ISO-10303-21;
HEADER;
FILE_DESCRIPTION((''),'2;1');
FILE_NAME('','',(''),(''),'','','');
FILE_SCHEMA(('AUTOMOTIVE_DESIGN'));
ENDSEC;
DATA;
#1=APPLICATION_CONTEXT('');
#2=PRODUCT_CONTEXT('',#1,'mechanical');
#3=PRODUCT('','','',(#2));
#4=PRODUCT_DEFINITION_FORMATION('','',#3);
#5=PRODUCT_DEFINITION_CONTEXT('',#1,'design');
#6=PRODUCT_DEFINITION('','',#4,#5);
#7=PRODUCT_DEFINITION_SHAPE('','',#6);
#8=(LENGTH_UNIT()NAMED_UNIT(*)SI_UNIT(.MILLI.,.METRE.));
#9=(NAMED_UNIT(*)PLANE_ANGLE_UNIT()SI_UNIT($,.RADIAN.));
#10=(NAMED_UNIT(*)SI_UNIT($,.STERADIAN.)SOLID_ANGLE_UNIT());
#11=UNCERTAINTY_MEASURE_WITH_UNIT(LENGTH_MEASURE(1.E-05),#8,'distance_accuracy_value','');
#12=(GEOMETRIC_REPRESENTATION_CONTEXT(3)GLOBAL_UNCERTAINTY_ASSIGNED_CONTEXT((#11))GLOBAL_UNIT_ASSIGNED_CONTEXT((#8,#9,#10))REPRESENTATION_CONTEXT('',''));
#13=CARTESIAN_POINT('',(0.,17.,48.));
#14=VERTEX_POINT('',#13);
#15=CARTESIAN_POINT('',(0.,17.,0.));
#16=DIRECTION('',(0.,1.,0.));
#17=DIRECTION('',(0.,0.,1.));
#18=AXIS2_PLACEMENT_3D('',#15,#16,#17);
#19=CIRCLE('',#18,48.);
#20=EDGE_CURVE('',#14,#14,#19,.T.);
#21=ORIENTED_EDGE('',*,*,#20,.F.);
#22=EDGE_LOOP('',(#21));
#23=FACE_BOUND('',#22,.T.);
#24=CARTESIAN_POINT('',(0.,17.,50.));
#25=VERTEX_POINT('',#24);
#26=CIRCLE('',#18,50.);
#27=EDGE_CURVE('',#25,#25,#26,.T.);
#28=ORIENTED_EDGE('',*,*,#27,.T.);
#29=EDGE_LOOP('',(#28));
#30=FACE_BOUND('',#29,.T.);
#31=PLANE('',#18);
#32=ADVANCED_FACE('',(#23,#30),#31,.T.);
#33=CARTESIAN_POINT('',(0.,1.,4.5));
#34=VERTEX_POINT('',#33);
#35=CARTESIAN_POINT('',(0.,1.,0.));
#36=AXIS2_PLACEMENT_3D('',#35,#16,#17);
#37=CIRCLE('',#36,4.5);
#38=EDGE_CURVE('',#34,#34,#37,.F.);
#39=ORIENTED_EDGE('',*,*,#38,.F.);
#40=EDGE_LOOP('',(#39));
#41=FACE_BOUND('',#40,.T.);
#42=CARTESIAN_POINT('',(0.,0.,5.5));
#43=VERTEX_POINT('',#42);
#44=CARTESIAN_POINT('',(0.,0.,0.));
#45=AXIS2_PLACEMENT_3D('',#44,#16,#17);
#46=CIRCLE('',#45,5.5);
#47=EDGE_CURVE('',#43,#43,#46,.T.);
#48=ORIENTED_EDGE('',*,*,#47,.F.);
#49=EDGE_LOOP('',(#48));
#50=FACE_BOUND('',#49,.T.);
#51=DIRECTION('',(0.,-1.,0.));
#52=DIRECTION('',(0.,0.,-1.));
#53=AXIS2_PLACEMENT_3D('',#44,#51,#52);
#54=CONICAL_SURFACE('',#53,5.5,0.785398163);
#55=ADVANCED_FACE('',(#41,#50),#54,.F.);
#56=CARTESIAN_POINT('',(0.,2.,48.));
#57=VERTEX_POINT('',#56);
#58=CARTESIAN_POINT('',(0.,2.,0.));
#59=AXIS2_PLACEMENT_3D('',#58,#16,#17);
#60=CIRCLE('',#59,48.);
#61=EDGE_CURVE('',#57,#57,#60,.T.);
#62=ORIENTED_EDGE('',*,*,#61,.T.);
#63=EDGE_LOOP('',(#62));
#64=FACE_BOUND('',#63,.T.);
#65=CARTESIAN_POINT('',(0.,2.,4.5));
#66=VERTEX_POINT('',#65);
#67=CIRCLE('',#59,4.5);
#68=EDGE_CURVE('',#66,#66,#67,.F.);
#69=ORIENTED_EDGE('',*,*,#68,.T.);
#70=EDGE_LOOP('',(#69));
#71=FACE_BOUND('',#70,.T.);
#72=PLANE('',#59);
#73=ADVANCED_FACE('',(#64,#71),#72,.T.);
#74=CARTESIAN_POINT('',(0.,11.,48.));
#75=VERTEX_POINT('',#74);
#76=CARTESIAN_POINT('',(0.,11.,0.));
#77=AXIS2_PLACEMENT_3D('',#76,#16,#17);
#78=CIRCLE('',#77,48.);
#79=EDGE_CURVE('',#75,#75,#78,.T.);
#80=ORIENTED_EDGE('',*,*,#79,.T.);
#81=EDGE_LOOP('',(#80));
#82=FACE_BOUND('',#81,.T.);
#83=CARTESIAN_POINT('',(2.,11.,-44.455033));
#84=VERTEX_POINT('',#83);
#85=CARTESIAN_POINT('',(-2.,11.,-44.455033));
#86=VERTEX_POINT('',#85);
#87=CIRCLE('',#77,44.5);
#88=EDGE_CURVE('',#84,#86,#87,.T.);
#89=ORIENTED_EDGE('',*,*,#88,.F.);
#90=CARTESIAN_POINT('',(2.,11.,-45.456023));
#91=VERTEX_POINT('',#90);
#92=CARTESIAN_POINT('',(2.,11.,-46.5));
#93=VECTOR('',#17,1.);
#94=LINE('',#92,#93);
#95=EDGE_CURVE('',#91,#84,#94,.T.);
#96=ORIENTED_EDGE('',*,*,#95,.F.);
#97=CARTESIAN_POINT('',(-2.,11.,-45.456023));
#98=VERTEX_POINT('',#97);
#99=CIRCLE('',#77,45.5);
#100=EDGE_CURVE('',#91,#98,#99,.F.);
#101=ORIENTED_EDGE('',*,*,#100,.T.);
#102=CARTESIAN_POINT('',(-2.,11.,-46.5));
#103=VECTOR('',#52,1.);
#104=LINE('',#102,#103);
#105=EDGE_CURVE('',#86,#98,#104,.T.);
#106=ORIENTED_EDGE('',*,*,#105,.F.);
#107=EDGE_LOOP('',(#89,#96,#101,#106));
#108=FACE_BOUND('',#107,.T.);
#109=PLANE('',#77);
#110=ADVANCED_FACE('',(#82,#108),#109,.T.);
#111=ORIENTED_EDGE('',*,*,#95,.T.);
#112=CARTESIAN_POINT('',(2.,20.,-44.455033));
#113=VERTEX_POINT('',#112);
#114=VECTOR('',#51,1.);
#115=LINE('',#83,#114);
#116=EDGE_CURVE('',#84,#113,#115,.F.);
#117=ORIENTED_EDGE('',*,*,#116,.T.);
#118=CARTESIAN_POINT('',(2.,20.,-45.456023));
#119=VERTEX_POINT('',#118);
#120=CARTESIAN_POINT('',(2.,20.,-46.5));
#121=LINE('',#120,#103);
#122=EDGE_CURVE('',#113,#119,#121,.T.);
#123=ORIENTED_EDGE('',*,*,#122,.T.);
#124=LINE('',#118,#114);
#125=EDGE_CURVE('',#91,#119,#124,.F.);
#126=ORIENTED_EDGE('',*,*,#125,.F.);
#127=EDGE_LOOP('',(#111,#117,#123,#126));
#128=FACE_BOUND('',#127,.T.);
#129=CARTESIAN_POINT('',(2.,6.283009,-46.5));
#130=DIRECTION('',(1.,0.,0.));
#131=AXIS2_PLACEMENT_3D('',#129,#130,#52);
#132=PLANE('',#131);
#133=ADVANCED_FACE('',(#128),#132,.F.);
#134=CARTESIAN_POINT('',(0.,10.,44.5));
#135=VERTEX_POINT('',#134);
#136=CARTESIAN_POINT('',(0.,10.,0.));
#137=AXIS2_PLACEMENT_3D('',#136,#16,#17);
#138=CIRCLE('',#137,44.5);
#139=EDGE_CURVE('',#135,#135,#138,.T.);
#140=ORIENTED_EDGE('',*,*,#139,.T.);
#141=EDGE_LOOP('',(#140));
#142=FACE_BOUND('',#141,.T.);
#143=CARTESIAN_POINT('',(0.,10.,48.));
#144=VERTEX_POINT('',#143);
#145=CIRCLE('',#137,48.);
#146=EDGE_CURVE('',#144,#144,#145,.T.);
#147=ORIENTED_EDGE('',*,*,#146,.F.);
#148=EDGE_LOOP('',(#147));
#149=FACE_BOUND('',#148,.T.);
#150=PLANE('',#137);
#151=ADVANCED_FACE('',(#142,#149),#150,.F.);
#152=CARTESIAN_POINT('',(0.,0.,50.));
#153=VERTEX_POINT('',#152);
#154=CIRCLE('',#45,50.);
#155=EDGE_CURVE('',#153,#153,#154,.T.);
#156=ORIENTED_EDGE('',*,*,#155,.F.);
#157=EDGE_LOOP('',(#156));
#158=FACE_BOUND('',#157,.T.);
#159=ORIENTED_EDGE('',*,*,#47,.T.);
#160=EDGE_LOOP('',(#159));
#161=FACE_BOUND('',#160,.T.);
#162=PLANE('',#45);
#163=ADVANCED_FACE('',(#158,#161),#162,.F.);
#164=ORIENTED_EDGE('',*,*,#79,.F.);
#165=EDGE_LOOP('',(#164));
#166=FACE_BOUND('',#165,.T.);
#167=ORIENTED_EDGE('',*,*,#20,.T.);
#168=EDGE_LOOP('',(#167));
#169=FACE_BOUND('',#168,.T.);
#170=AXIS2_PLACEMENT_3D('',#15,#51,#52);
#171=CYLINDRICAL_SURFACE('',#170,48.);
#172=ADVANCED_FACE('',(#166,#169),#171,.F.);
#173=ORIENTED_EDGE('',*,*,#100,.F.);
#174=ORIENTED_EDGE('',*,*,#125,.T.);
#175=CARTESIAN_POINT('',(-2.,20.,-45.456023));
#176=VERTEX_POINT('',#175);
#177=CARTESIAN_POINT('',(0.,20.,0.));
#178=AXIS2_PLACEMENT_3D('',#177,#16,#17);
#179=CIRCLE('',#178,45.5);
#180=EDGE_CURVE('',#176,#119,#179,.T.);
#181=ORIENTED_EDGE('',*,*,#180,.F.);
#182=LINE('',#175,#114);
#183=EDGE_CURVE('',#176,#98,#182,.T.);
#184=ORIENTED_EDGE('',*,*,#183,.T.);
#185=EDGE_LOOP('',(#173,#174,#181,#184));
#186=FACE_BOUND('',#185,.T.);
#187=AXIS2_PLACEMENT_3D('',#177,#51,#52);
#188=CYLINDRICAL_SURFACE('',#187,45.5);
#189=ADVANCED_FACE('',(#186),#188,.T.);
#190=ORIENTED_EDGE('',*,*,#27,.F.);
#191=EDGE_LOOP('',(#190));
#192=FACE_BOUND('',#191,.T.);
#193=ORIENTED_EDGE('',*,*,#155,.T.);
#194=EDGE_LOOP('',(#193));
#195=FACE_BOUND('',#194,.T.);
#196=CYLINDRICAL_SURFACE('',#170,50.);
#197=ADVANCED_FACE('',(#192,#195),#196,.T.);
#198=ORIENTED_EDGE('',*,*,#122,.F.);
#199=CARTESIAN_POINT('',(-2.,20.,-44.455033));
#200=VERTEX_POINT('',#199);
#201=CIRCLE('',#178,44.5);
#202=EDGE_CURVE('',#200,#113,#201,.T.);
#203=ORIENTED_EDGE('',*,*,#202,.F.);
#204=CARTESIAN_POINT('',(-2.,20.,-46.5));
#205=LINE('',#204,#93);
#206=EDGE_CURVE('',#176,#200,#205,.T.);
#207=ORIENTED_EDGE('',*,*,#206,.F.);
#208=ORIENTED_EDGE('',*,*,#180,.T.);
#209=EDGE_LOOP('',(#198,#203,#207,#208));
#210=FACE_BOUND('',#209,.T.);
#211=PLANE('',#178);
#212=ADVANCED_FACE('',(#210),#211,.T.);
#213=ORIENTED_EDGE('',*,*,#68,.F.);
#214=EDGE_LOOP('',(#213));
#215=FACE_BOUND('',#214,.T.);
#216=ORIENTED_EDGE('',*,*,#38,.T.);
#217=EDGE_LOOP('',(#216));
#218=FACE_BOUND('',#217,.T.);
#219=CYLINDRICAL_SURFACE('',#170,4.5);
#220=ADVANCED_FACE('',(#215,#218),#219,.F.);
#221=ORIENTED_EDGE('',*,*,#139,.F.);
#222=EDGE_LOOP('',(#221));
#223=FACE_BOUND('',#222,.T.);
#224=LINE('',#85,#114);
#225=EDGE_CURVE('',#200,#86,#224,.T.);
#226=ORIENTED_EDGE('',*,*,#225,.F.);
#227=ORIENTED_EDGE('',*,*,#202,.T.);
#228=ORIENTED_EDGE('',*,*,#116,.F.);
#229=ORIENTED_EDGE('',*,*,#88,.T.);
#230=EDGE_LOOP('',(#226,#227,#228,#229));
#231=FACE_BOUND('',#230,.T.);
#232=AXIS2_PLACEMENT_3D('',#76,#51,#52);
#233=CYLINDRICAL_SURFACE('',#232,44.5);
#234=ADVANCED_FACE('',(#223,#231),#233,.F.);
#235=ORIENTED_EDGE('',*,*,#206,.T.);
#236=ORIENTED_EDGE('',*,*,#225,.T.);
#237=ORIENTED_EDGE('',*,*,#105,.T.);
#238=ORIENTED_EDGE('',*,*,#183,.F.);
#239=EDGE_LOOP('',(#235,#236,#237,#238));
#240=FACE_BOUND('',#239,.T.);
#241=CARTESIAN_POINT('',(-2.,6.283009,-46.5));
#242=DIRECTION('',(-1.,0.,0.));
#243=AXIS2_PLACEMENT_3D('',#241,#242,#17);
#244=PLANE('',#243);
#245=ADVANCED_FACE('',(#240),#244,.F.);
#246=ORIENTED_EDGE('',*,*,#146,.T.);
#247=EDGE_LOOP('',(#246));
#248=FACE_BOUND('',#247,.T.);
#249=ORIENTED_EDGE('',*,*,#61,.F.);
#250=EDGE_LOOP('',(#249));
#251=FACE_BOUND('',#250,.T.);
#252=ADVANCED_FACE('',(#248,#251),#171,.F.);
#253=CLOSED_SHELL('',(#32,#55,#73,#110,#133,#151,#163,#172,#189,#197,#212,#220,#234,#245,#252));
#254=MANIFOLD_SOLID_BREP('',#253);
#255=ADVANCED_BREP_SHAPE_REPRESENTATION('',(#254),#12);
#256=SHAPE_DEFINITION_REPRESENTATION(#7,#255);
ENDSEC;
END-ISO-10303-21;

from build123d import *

# Parameters (mm, degrees)
ESQUISSE1_R             = 50
BOSS_EXTRU_1_DEPTH      = 17
COQUE1_T                = -2
ESQUISSE2_R             = 4.5
ENL_V_MAT_EXTRU_3_DEPTH = 73.725511342
CHANFREIN1_SIZE         = 1
ESQUISSE3_R             = 50
ESQUISSE3_R_2           = 44.5
BOSS_EXTRU_2_DEPTH      = 1
ESQUISSE4_R             = 45.5
ESQUISSE4_R_2           = 44.5
BOSS_EXTRU_3_DEPTH      = 10
ESQUISSE5_W             = 4
ESQUISSE5_H             = 2.5
ENL_V_MAT_EXTRU_4_DEPTH = 9


with BuildPart() as part:
    # Esquisse1 → Boss.-Extru.1 (new body)
    with BuildSketch(Plane(origin=(0, 0, 0), x_dir=(1, 0, 0), z_dir=(0, 1, 0))):
        with Locations(Location((0, 0, 0), (0, 0, 270))):
            Circle(ESQUISSE1_R)
    extrude(amount=BOSS_EXTRU_1_DEPTH)

    # Coque1
    coque1_openings = [part.faces().sort_by_distance(p)[0] for p in [
        (0, 17, 0),
    ]]
    offset(amount=COQUE1_T, openings=coque1_openings, kind=Kind.INTERSECTION)

    # Esquisse2 → Enlèv. mat.-Extru.3 (cut, through all)
    with BuildSketch(Plane(origin=(0, 0, 0), x_dir=(1, 0, 0), z_dir=(0, 1, 0))):
        with Locations(Location((0, 0, 0), (0, 0, 270))):
            Circle(ESQUISSE2_R)
    extrude(amount=ENL_V_MAT_EXTRU_3_DEPTH, mode=Mode.SUBTRACT)

    # Chanfrein1
    chanfrein1_edges = [part.edges().sort_by_distance(p)[0] for p in [
        (0, 0, -4.5),
    ]]
    chamfer(chanfrein1_edges, length=CHANFREIN1_SIZE)

    # Esquisse3 → Boss.-Extru.2 (add)
    with BuildSketch(Plane(origin=(0, 10, 0), x_dir=(1, 0, 0), z_dir=(0, 1, 0))):
        with Locations(Location((0, 0, 0), (0, 0, 270))):
            Circle(ESQUISSE3_R)
        with Locations(Location((0, 0, 0), (0, 0, 270))):
            Circle(ESQUISSE3_R_2, mode=Mode.SUBTRACT)
    extrude(amount=BOSS_EXTRU_2_DEPTH)

    # Esquisse4 → Boss.-Extru.3 (add)
    with BuildSketch(Plane(origin=(0, 10, 0), x_dir=(1, 0, 0), z_dir=(0, 1, 0))):
        with Locations(Location((0, 0, 0), (0, 0, 270))):
            Circle(ESQUISSE4_R)
        with Locations(Location((0, 0, 0), (0, 0, 270))):
            Circle(ESQUISSE4_R_2, mode=Mode.SUBTRACT)
    extrude(amount=BOSS_EXTRU_3_DEPTH)

    # Esquisse5 → Enlèv. mat.-Extru.4 (cut)
    with BuildSketch(Plane(origin=(0, 20, 0), x_dir=(1, 0, 0), z_dir=(0, 1, 0))):
        with Locations((0, 45.25)):
            Rectangle(ESQUISSE5_W, ESQUISSE5_H)
    extrude(amount=-ENL_V_MAT_EXTRU_4_DEPTH, mode=Mode.SUBTRACT)


solid = part.part
